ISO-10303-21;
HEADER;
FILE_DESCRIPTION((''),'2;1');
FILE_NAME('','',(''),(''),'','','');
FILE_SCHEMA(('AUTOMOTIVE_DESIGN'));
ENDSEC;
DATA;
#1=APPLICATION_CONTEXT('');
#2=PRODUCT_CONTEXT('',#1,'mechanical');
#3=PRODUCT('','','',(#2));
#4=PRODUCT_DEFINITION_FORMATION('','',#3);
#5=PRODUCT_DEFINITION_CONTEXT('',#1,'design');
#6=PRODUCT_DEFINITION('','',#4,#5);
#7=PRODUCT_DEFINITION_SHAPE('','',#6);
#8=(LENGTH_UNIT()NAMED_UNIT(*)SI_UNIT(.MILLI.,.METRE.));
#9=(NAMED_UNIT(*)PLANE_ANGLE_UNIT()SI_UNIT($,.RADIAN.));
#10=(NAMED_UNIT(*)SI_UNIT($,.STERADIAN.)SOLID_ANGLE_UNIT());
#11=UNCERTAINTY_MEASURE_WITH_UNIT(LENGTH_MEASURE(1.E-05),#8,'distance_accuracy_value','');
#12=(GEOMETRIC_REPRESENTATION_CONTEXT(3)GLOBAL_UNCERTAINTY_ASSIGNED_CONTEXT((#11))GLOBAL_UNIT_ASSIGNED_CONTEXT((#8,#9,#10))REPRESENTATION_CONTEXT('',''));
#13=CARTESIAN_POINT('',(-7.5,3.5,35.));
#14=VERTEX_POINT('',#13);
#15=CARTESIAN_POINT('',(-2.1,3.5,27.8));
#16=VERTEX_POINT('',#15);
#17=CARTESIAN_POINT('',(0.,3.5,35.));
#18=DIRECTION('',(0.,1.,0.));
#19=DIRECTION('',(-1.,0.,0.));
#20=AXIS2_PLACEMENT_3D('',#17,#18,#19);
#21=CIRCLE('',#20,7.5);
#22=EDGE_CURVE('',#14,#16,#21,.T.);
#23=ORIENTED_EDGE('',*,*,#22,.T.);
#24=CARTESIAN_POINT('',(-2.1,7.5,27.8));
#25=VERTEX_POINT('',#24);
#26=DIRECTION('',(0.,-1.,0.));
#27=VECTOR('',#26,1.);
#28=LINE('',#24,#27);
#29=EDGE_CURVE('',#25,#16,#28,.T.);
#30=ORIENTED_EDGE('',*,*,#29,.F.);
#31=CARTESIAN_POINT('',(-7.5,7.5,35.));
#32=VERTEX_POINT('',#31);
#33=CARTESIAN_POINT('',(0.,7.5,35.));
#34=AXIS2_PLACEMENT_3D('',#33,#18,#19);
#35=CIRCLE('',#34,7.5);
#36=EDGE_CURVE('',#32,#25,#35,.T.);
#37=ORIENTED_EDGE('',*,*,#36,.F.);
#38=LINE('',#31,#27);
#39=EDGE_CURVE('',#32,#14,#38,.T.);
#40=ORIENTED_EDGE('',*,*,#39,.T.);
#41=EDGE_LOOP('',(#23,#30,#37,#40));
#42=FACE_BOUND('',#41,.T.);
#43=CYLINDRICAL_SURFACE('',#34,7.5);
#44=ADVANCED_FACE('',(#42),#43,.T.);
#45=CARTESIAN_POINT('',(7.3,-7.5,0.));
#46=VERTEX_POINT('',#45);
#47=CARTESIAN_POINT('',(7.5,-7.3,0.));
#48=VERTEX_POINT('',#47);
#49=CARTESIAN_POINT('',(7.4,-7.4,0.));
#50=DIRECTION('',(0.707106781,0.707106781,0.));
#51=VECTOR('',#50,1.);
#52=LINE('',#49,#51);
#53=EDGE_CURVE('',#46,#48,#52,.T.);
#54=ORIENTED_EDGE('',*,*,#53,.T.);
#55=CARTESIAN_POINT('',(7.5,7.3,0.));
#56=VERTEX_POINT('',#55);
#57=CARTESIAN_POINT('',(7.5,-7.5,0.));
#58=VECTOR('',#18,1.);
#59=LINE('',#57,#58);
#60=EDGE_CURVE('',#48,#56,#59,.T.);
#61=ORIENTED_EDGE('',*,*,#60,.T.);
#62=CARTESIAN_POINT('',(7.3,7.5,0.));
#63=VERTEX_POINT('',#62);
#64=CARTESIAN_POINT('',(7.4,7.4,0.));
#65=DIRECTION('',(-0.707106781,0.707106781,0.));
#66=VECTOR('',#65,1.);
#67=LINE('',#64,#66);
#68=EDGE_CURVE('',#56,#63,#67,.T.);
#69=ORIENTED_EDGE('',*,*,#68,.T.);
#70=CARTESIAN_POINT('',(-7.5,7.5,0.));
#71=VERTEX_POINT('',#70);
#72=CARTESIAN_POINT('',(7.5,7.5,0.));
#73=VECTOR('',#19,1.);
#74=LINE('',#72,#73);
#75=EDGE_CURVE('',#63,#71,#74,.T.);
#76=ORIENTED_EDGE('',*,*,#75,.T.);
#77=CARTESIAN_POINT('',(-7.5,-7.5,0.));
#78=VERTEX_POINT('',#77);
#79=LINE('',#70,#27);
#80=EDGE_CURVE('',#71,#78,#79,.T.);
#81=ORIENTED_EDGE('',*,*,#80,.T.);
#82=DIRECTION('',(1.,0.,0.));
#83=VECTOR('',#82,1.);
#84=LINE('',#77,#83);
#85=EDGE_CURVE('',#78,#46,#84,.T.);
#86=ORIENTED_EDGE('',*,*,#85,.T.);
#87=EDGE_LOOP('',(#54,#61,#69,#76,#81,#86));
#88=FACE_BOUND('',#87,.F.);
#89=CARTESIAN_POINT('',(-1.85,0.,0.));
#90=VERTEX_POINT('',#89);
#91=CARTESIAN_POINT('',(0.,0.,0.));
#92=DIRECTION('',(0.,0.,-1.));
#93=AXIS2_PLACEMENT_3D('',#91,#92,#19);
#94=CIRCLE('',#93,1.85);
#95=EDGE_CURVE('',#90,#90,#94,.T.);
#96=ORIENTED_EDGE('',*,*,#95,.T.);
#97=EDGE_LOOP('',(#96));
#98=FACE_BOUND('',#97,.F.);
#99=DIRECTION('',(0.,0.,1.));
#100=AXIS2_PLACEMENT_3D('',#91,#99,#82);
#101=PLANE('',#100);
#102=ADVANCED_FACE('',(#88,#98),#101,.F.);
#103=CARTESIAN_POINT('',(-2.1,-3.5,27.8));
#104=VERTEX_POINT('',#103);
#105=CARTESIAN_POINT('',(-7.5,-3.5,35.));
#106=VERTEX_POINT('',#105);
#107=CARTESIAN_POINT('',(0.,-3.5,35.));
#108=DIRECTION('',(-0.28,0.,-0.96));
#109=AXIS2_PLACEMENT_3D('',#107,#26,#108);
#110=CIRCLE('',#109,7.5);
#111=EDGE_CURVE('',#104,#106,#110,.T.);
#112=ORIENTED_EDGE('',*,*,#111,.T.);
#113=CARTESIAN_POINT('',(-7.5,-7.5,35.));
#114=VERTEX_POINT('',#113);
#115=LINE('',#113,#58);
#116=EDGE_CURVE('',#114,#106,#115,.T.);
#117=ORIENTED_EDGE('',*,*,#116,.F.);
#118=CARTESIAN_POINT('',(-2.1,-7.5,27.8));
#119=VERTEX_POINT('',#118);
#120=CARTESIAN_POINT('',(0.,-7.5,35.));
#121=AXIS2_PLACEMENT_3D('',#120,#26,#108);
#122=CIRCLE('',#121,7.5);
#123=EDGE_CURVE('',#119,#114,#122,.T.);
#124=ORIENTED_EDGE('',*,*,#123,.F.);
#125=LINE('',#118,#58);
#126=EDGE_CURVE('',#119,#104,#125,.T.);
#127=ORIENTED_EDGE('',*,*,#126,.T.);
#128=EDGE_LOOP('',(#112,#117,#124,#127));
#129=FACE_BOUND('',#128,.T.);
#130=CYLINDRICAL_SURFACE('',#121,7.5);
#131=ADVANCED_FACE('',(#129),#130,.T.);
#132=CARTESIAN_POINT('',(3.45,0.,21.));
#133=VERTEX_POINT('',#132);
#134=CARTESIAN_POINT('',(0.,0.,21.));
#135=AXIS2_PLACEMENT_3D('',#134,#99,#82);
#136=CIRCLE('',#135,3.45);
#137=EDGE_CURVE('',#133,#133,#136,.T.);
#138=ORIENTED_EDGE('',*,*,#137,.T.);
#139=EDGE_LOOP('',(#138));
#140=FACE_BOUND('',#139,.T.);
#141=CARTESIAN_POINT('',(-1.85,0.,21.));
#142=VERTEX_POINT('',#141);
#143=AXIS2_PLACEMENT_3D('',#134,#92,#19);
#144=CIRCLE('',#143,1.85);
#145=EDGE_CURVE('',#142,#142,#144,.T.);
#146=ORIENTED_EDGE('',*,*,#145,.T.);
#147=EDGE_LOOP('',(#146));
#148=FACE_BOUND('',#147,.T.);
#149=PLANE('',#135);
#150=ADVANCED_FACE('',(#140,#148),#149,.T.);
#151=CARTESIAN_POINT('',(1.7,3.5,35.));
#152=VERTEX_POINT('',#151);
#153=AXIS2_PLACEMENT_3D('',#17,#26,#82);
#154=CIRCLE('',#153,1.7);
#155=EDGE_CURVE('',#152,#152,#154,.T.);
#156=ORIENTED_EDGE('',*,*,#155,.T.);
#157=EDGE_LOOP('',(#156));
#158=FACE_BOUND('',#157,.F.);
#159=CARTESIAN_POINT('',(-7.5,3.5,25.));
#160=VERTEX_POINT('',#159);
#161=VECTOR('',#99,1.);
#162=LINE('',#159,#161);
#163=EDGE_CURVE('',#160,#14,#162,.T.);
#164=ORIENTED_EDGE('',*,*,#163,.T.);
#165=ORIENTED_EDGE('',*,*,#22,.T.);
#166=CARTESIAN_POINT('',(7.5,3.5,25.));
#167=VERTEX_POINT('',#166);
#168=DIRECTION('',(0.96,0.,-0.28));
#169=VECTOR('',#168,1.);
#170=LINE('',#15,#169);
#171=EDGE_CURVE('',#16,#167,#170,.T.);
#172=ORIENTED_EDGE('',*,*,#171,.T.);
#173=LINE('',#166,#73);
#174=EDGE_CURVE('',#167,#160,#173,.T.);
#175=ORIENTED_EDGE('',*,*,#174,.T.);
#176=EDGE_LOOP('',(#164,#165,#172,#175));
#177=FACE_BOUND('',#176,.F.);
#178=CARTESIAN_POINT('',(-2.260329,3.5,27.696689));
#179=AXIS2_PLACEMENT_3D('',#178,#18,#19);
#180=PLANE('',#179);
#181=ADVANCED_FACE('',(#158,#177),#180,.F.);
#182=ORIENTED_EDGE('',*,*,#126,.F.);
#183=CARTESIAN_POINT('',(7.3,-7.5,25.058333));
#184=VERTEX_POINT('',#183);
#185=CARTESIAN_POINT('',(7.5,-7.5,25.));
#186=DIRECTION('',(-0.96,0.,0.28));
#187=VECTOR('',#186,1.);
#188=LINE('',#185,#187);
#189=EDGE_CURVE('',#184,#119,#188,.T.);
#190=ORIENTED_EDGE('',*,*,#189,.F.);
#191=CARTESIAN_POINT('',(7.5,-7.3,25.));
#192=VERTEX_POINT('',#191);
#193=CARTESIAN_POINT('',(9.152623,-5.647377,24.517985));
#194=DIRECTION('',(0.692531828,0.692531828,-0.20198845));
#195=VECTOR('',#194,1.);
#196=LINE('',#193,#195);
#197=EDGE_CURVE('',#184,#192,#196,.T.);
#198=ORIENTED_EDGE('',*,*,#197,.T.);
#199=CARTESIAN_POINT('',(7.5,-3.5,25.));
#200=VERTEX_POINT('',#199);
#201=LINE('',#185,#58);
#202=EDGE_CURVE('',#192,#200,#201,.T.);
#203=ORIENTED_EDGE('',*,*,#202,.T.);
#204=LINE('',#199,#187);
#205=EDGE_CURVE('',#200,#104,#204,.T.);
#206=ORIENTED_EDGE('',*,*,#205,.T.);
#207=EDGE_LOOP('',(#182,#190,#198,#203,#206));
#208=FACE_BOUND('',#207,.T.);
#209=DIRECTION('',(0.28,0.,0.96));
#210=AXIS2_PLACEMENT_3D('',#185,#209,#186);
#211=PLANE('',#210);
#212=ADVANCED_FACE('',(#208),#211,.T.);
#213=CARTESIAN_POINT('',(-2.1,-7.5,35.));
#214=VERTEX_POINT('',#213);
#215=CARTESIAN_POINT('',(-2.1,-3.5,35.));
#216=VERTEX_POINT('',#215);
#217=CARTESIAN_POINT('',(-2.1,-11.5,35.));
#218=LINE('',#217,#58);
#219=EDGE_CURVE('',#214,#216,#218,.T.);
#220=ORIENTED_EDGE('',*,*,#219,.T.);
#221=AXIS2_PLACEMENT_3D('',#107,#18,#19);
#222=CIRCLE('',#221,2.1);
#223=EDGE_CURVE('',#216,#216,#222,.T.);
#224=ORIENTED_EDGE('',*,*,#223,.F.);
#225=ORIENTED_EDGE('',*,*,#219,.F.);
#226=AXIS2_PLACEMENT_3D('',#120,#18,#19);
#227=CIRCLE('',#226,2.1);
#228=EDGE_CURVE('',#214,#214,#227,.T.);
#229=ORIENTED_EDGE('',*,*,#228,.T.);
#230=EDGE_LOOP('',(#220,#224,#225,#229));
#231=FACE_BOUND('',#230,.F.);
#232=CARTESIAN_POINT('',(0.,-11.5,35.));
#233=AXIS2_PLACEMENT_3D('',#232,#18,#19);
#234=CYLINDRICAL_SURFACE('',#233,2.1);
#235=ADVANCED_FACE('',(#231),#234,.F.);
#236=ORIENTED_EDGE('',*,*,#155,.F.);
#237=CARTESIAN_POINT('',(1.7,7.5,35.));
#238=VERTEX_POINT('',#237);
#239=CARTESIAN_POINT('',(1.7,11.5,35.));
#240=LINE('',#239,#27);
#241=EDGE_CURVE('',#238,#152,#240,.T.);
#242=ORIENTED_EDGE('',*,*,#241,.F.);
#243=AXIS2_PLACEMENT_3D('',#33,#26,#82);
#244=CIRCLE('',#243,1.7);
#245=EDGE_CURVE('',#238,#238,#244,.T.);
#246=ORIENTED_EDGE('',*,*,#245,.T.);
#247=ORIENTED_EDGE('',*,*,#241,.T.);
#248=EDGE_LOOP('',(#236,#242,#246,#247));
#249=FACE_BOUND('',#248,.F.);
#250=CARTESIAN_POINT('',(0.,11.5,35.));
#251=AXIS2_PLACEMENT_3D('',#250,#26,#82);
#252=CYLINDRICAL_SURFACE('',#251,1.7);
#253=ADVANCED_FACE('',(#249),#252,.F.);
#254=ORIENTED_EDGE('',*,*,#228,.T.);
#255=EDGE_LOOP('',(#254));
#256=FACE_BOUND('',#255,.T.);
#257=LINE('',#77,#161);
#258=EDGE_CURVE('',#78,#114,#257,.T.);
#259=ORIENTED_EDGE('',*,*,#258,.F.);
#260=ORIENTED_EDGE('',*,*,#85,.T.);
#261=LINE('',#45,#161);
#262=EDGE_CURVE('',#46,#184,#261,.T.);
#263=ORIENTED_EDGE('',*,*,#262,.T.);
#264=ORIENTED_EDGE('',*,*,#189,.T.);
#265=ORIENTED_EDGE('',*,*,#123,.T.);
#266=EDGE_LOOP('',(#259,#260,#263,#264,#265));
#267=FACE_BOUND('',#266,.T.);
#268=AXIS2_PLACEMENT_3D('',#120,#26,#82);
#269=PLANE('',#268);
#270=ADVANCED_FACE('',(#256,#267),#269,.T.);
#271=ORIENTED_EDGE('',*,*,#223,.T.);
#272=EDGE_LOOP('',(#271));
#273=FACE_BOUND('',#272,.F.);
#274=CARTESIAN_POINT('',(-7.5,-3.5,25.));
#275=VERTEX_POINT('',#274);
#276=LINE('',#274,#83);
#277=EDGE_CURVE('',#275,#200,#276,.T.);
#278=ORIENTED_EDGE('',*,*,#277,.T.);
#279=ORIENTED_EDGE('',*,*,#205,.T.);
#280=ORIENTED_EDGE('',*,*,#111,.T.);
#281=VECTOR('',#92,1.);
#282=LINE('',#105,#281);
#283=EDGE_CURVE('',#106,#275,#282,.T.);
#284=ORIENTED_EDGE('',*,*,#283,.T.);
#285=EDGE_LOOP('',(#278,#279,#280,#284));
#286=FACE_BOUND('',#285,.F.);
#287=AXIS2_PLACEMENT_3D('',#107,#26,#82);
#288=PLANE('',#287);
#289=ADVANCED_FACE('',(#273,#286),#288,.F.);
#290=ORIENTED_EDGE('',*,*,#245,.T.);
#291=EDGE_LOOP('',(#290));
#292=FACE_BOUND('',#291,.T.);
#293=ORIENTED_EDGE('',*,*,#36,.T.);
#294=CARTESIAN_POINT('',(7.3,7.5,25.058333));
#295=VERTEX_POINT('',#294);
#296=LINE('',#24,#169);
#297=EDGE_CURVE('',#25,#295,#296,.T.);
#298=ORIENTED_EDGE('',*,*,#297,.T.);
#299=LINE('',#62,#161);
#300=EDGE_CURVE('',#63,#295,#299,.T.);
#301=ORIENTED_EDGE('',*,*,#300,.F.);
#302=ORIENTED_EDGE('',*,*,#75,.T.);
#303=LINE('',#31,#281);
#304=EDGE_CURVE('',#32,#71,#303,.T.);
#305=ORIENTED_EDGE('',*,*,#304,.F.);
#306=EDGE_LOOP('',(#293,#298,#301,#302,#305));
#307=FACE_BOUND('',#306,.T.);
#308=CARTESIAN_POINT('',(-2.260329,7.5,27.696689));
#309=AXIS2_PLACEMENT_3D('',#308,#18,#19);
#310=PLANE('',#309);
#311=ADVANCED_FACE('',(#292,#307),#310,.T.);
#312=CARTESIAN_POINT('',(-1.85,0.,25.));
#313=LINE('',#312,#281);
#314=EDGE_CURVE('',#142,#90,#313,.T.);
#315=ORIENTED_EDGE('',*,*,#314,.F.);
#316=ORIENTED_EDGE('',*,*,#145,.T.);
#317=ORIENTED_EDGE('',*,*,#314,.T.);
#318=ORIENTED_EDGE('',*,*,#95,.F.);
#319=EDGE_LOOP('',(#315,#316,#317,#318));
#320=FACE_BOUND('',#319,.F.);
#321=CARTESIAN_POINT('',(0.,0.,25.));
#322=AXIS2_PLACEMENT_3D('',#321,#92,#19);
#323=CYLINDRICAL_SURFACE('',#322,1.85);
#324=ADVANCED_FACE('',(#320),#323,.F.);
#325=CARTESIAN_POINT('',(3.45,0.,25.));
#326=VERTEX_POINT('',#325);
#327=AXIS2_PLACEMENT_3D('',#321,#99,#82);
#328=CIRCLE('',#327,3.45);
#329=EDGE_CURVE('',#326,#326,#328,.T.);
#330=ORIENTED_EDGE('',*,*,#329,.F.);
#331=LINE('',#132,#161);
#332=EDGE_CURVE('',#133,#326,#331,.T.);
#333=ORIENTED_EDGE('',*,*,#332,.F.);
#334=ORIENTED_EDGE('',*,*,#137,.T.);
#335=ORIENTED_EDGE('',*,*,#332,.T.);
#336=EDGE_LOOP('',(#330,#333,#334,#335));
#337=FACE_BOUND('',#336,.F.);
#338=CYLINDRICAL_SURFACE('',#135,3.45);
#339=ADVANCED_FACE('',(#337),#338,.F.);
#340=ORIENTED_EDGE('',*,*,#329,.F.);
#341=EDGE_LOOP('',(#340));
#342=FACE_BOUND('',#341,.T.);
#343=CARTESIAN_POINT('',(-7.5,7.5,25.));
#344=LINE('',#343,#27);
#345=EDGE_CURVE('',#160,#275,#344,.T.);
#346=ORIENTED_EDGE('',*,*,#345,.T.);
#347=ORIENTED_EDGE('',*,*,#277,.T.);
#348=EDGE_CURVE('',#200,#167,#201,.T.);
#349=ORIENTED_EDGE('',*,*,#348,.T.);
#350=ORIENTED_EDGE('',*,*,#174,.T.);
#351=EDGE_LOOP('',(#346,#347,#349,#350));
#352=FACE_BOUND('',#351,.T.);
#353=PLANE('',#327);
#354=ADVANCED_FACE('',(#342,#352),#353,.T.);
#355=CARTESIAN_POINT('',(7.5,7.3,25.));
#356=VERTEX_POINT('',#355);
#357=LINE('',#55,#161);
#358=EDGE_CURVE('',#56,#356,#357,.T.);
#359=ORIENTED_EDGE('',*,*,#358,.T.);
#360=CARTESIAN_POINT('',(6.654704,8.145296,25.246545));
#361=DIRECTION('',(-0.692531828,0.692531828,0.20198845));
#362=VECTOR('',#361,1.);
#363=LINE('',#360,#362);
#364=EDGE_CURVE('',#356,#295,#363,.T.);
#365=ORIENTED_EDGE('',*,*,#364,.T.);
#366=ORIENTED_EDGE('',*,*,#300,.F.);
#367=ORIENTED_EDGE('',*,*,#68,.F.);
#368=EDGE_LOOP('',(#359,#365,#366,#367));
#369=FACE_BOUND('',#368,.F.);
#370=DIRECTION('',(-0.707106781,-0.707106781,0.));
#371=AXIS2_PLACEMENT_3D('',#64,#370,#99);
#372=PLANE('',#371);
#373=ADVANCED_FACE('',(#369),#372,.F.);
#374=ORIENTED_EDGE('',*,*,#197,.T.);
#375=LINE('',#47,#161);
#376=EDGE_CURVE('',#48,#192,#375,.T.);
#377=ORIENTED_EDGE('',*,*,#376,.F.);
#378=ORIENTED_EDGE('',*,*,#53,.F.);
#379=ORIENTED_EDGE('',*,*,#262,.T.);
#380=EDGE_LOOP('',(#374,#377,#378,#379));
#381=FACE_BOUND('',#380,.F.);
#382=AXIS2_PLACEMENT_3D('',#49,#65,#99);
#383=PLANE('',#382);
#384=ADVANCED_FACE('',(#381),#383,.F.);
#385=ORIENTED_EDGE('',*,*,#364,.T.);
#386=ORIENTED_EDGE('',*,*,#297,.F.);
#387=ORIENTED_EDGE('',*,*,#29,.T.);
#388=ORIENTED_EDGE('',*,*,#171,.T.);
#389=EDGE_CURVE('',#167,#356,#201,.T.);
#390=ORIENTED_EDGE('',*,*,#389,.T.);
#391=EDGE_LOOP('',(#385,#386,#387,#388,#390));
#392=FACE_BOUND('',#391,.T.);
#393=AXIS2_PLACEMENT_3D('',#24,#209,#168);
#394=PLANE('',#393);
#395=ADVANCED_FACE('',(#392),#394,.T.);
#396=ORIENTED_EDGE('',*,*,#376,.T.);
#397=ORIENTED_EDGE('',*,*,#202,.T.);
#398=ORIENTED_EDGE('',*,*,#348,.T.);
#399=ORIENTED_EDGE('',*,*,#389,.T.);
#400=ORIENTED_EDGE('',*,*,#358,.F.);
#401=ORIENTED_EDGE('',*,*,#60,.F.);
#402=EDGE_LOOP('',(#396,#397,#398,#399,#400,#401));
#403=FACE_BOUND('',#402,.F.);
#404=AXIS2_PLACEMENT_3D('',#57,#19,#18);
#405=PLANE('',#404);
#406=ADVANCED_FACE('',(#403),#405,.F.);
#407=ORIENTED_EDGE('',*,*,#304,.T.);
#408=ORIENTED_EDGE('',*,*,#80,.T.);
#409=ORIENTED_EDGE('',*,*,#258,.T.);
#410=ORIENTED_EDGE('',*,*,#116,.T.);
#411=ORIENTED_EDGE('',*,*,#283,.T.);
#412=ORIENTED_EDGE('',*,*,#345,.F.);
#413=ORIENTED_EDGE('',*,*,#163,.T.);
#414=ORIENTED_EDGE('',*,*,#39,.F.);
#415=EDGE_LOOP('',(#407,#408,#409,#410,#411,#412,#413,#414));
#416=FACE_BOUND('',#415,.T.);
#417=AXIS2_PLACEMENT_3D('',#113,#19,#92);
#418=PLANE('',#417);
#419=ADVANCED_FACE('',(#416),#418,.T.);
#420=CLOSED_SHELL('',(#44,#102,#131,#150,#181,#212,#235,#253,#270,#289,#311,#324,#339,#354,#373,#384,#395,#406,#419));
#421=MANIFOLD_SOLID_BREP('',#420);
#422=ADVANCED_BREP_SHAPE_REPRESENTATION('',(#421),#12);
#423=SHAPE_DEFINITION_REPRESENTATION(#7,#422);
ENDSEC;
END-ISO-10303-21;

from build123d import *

# Parameters (mm, degrees)
F1_DEPTH       = 25
F3_D           = 3.7
F3_CBORE_D     = 6.9
F3_CBORE_DEPTH = 4
F5_DEPTH       = 4
F7_DEPTH       = 4
F9_D           = 4.2
F9_DEPTH       = 4
F11_D          = 3.4
F11_DEPTH      = 4
F12_SIZE       = 0.2


with BuildPart() as f1:
    # F0 (on Top) → F1 (new body)
    with BuildSketch(Plane.XY):
        Polygon((7.5, -7.5), (7.5, 0), (7.5, 7.5), (-7.5, 7.5), (-7.5, -7.5), align=None)
    extrude(amount=F1_DEPTH)

    # F3 (through all)
    with Locations(Plane.XY.offset(25)):
        with Locations((0, 0)):
            CounterBoreHole(F3_D / 2, F3_CBORE_D / 2, F3_CBORE_DEPTH)

    # F4 (on face) → F5 (join)
    with BuildSketch(Plane(origin=(0, 7.5, 0), x_dir=(-1, 0, 0), z_dir=(0, 1, 0))):
        with BuildLine():
            Line((-7.5, 25), (7.5, 25))
            Line((7.5, 25), (7.5, 35))
            ThreePointArc((7.5, 35), (6, 30.5), (2.1, 27.8))
            Line((2.1, 27.8), (-7.5, 25))
        make_face()
        with BuildLine():
            ThreePointArc((2.1, 27.8), (6, 30.5), (7.5, 35))
            ThreePointArc((7.5, 35), (-6, 39.5), (2.1, 27.8))
        make_face()
    extrude(amount=-F5_DEPTH)

    # F6 (on face) → F7 (join)
    with BuildSketch(Plane.XZ.offset(7.5)):
        with BuildLine():
            ThreePointArc((7.5, 35), (0, 42.5), (-7.5, 35))
            ThreePointArc((-7.5, 35), (-6, 30.5), (-2.1, 27.8))
            ThreePointArc((-2.1, 27.8), (4.5, 29), (7.5, 35))
        make_face()
        with BuildLine():
            Line((-7.5, 35), (-7.5, 25))
            Line((-7.5, 25), (7.5, 25))
            Line((7.5, 25), (-2.1, 27.8))
            ThreePointArc((-2.1, 27.8), (-6, 30.5), (-7.5, 35))
        make_face()
    extrude(amount=-F7_DEPTH)

    # F9
    with Locations(Plane.XZ.offset(7.5)):
        with Locations((0, 35)):
            Hole(F9_D / 2, depth=F9_DEPTH)

    # F11
    with Locations(Plane(origin=(0, 7.5, 0), x_dir=(-1, 0, 0), z_dir=(0, 1, 0))):
        with Locations((0, 35)):
            Hole(F11_D / 2, depth=F11_DEPTH)

    # F12
    f12_edges = [f1.edges().sort_by_distance(p)[0] for p in [
        (7.5, -7.5, 12.5),
        (7.5, 7.5, 12.5),
    ]]
    chamfer(f12_edges, length=F12_SIZE)


solid = f1.part
